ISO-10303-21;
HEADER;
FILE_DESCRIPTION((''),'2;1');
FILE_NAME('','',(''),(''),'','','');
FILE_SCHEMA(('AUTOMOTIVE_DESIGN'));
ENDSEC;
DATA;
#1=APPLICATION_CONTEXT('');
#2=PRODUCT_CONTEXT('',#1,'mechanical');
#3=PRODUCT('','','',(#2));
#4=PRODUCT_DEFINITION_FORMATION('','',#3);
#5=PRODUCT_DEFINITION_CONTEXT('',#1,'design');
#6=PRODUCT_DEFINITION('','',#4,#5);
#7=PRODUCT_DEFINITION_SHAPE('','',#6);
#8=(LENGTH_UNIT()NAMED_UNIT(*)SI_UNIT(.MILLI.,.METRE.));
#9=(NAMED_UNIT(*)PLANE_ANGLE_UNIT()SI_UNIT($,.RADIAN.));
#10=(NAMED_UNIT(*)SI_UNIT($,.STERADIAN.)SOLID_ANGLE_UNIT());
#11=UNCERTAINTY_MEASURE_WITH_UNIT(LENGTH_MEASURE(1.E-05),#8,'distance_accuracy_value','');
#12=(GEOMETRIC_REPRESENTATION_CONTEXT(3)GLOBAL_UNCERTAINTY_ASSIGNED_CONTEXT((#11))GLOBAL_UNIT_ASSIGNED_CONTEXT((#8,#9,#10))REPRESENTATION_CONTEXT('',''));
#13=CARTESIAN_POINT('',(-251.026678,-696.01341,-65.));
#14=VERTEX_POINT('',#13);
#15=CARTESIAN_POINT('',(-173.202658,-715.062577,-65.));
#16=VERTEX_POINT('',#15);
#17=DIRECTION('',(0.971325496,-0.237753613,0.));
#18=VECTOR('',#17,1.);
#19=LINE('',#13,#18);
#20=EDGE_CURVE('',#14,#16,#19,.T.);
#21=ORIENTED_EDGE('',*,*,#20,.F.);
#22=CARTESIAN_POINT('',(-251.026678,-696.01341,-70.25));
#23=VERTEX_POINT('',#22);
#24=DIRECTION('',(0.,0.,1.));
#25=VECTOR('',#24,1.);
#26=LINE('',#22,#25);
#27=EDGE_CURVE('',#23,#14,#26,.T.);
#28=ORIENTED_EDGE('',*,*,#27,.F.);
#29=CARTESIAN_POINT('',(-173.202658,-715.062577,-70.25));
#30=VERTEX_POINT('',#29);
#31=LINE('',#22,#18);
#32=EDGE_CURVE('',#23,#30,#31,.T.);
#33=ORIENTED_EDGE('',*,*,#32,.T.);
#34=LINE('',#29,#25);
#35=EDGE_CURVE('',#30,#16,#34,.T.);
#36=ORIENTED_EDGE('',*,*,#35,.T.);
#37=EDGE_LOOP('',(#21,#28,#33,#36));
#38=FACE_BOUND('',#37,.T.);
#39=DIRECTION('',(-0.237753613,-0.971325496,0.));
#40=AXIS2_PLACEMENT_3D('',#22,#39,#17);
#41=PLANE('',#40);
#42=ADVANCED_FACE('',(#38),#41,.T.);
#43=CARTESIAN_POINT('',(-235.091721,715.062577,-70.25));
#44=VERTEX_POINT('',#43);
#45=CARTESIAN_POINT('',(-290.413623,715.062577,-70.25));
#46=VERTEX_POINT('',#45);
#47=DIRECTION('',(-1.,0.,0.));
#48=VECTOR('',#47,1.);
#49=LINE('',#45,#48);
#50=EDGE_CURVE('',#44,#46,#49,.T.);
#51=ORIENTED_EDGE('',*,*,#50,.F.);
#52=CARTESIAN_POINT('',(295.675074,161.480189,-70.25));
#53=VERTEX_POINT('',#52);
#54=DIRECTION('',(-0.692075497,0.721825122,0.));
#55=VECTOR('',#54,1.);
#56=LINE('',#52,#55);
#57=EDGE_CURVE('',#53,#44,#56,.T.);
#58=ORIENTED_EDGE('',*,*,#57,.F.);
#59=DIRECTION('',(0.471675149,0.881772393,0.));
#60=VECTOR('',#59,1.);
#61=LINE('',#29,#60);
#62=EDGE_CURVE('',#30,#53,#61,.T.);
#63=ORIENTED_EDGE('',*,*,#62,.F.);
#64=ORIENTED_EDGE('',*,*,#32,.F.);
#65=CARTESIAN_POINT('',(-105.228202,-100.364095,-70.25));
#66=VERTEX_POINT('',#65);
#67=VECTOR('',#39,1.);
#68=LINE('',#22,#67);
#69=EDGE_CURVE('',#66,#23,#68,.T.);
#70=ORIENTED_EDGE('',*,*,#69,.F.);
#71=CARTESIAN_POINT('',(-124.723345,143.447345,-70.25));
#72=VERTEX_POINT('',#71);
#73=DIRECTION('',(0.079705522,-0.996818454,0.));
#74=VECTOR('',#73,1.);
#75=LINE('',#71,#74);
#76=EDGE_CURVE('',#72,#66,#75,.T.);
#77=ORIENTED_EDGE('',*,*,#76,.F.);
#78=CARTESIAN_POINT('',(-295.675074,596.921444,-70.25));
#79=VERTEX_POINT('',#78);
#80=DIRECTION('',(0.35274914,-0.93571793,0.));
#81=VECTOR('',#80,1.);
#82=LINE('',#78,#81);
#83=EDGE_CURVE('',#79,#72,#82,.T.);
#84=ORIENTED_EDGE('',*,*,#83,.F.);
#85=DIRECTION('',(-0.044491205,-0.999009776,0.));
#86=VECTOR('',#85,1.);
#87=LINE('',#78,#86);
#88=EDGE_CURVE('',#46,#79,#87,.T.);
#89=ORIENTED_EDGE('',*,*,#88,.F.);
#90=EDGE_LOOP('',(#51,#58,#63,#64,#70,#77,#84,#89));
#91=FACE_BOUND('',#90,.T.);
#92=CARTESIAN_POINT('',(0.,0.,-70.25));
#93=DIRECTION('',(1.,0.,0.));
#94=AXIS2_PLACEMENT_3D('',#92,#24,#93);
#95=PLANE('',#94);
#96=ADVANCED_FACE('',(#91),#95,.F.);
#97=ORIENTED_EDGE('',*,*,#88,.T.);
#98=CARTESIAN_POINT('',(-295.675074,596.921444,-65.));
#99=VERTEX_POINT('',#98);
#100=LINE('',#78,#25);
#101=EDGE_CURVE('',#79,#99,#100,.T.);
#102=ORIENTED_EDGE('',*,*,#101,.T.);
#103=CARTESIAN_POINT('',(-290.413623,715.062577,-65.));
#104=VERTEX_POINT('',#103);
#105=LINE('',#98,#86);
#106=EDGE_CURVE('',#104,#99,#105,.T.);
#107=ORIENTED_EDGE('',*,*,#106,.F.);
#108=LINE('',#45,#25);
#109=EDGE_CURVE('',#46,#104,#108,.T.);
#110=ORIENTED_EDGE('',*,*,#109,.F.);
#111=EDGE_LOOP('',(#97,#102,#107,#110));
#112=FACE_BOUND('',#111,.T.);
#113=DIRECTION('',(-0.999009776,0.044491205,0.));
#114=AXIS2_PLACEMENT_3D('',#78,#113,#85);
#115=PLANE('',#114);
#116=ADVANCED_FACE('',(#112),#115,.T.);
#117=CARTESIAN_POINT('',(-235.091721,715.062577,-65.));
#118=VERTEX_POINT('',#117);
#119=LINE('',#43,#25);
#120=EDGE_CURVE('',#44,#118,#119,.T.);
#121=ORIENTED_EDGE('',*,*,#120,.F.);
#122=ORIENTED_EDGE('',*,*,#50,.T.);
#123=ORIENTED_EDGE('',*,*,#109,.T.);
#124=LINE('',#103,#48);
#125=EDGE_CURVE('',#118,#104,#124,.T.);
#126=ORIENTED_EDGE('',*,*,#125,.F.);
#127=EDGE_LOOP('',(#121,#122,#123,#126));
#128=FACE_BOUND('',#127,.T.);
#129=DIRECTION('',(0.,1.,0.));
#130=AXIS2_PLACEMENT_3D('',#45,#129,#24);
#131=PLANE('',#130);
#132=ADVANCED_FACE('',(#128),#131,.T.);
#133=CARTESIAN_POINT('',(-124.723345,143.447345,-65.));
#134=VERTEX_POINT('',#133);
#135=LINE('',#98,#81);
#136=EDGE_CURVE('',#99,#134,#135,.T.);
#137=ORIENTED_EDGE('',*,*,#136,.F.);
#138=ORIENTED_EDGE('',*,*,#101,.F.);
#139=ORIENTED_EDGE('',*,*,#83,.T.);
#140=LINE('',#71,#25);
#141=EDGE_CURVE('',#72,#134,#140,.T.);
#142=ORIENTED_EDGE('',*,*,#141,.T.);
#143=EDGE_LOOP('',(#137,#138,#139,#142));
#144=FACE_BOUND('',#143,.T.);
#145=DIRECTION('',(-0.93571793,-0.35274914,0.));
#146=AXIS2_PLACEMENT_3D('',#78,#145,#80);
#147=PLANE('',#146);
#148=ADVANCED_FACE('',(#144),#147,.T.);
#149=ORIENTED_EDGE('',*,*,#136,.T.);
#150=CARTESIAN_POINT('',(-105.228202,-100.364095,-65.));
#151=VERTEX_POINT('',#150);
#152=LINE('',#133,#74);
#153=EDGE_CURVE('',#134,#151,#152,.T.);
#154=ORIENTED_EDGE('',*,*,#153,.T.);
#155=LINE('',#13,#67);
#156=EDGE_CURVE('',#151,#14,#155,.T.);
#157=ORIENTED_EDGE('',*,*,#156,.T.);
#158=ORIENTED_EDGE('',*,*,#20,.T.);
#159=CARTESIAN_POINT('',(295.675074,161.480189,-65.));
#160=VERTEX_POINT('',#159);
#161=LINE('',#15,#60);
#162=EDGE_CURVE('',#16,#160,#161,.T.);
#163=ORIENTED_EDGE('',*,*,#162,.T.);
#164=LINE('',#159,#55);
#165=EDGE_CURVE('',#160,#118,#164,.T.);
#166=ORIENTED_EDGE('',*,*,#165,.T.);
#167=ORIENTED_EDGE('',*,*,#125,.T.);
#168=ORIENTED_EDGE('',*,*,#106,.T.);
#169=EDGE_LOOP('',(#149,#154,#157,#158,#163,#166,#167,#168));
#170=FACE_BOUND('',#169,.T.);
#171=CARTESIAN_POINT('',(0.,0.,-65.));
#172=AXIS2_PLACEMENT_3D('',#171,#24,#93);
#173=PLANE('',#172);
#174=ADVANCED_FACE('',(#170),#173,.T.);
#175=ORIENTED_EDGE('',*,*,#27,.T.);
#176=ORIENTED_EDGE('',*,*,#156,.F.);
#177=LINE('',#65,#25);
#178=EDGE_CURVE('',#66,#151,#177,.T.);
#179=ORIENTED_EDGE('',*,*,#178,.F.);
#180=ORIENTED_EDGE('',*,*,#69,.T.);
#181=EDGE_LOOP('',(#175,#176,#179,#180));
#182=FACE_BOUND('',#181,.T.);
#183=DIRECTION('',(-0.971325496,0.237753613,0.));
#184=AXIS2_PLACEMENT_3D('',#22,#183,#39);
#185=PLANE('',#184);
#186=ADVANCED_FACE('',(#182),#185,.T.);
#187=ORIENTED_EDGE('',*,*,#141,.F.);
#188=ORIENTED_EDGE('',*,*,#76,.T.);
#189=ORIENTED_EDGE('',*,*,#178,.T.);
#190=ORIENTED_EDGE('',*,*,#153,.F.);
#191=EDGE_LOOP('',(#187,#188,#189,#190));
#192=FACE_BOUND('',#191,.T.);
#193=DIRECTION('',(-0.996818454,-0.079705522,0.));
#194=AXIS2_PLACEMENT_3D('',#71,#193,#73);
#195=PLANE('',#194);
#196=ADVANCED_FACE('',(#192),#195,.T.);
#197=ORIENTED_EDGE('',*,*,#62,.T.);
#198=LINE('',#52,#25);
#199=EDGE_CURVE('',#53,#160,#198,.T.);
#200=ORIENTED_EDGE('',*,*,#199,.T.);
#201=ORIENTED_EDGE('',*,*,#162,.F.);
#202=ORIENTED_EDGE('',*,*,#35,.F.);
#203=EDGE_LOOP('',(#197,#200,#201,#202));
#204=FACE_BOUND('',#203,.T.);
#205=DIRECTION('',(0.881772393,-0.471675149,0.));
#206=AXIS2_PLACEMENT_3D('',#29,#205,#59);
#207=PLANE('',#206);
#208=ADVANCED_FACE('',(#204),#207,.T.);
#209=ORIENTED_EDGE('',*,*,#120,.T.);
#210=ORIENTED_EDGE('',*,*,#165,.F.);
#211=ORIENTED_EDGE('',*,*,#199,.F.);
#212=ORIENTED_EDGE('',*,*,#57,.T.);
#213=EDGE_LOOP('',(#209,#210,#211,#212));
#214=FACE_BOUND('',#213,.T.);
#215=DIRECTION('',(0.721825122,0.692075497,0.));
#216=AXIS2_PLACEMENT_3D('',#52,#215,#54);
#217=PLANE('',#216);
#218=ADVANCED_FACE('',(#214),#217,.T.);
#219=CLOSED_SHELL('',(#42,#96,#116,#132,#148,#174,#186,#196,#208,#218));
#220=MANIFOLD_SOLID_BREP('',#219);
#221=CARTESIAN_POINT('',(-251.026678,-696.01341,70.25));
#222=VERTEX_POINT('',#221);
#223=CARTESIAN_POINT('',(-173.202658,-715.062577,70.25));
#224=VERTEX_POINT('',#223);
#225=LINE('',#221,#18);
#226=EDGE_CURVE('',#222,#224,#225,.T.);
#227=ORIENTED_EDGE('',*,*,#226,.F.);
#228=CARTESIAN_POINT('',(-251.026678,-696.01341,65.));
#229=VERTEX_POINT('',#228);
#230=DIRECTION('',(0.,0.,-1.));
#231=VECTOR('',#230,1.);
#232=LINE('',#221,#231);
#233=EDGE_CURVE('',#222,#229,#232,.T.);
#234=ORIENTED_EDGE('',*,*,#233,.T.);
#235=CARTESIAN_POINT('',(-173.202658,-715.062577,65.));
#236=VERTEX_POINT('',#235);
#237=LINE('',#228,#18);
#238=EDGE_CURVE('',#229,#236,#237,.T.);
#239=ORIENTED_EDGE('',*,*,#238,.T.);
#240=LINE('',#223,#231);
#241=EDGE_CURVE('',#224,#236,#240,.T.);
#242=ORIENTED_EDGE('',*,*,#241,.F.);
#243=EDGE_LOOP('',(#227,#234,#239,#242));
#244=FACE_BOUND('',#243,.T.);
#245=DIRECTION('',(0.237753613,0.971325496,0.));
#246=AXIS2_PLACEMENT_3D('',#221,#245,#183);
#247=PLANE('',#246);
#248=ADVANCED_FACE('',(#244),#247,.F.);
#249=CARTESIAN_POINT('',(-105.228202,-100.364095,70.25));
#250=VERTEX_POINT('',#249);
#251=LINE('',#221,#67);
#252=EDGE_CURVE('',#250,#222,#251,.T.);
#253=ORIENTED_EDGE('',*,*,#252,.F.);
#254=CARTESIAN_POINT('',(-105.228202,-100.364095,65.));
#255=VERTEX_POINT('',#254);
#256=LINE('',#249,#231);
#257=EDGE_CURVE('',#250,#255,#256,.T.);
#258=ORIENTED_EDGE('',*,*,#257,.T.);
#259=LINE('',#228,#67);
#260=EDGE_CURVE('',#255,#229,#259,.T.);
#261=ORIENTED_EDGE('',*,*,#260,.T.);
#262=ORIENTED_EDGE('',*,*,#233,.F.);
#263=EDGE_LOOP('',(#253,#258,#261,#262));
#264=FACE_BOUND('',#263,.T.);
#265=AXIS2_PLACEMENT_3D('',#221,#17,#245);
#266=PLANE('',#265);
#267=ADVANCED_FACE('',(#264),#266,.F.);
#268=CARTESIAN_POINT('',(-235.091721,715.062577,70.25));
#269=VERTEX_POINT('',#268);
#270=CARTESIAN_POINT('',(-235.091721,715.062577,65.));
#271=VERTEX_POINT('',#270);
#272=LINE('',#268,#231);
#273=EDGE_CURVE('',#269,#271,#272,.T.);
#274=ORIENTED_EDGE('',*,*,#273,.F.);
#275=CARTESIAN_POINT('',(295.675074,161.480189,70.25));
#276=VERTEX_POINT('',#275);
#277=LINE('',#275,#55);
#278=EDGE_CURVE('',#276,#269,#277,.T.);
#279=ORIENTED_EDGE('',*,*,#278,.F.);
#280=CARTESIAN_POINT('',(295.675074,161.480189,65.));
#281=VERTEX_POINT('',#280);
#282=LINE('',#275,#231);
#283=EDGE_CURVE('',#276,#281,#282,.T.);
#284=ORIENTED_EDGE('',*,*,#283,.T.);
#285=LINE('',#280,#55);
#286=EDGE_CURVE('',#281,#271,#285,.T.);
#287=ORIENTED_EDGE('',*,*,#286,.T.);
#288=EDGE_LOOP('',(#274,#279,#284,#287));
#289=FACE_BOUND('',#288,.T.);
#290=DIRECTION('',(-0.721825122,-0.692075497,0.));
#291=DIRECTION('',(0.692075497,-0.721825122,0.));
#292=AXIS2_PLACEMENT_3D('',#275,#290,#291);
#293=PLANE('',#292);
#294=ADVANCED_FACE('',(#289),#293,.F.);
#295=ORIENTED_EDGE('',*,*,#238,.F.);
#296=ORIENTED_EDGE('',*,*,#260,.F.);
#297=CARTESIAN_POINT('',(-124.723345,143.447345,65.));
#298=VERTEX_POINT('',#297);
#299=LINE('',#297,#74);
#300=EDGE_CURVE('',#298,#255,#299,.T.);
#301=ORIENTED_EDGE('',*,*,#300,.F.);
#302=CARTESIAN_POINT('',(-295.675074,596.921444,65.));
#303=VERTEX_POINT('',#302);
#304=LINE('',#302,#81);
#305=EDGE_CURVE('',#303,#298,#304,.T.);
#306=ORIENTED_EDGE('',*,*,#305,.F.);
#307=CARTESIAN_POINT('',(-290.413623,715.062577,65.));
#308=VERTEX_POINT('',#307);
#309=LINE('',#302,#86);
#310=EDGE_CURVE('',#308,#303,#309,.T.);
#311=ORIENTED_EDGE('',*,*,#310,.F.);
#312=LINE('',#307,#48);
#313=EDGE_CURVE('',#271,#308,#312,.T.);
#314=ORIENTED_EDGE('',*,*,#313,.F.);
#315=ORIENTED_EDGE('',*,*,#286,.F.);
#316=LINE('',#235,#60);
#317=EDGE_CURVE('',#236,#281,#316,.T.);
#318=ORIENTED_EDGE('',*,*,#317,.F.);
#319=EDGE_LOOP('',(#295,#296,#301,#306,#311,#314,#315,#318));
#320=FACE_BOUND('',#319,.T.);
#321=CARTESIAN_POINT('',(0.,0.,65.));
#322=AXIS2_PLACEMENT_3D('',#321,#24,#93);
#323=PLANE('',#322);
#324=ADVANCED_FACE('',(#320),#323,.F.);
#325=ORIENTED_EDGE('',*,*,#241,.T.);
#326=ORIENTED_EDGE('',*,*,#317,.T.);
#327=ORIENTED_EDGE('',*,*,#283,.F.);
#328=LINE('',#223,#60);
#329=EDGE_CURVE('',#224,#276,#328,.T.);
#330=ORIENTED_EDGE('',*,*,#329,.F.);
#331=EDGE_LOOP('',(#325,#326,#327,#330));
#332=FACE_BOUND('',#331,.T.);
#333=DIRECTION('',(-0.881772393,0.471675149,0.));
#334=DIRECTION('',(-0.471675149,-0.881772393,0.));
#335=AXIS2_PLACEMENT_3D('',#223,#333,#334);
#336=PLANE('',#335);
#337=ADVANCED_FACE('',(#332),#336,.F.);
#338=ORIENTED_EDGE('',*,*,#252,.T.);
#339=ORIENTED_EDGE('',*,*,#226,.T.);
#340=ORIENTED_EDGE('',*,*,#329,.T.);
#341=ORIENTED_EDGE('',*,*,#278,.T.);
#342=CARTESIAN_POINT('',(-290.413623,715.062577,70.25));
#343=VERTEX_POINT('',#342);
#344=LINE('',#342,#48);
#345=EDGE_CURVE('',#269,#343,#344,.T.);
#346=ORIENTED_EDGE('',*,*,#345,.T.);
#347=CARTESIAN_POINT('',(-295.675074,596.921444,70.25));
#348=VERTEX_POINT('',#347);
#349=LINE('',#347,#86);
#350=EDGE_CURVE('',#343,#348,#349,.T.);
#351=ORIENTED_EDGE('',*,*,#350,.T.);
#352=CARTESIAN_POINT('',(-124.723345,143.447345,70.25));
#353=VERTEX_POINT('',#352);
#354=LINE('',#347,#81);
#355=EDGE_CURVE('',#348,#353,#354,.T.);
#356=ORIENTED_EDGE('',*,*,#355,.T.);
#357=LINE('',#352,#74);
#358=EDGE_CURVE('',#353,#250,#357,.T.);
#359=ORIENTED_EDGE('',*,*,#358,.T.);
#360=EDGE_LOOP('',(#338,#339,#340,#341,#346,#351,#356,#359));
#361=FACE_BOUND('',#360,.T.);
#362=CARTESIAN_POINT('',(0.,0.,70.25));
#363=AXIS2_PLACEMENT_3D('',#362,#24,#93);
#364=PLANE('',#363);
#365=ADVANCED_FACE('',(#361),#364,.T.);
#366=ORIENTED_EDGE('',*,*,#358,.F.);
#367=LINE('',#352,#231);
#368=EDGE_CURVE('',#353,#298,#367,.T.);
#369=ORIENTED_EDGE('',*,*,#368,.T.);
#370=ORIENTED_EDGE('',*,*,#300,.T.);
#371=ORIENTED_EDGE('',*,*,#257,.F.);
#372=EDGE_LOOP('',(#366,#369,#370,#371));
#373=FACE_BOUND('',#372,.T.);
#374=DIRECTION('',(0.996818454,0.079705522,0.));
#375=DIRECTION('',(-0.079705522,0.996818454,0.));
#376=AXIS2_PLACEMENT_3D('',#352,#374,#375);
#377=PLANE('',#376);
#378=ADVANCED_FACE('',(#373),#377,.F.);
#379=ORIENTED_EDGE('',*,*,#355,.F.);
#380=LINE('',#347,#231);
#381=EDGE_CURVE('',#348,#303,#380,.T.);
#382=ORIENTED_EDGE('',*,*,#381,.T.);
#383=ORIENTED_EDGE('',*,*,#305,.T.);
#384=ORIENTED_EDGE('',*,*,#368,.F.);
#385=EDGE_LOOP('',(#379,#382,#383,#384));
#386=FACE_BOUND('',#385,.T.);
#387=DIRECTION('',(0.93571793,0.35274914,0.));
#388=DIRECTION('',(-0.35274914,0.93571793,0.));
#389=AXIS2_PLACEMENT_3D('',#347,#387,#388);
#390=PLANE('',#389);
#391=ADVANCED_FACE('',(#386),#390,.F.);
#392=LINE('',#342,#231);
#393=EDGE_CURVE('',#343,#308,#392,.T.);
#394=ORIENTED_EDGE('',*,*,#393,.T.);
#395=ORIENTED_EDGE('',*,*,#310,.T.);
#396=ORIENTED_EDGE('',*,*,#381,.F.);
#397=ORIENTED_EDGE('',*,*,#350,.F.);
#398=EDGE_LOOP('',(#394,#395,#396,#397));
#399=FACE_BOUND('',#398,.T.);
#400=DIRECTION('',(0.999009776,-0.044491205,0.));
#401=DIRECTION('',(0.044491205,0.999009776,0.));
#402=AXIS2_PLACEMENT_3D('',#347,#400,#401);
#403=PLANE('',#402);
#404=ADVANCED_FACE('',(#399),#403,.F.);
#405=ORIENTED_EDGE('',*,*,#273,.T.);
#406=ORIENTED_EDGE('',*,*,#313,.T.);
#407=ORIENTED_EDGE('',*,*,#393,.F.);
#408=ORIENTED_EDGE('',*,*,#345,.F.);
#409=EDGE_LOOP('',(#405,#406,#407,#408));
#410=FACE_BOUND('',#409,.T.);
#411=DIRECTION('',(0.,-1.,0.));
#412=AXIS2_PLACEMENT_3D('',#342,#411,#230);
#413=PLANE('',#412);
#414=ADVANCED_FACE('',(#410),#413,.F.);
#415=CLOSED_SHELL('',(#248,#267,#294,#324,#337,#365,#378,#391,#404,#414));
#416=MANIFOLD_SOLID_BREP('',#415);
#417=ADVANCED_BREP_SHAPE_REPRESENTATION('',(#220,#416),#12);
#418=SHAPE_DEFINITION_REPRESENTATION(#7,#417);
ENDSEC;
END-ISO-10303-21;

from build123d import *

# Parameters (mm, degrees)
BOSS_EXTRUDE1_START = 65
BOSS_EXTRUDE1_DEPTH = 5.25
BOSS_EXTRUDE2_START = -65
BOSS_EXTRUDE2_DEPTH = 5.25


with BuildPart() as part:
    # Sketch1 → Boss-Extrude1 (new body)
    with BuildSketch(Plane.XY.offset(BOSS_EXTRUDE1_START)):
        Polygon((295.675074254, 161.480188615), (-235.091721205, 715.062577473), (-290.413622869, 715.062577473), (-295.675074254, 596.921443574), (-124.723344844, 143.447345429), (-105.228202032, -100.364094919), (-251.02667789, -696.013410022), (-173.202657588, -715.062577473), align=None)
    extrude(amount=BOSS_EXTRUDE1_DEPTH)


with BuildPart() as body_2:
    # Sketch1<2> → Boss-Extrude2 (new body)
    with BuildSketch(Plane.XY.offset(BOSS_EXTRUDE2_START)):
        Polygon((295.675074254, 161.480188615), (-235.091721205, 715.062577473), (-290.413622869, 715.062577473), (-295.675074254, 596.921443574), (-124.723344844, 143.447345429), (-105.228202032, -100.364094919), (-251.02667789, -696.013410022), (-173.202657588, -715.062577473), align=None)
    extrude(amount=-BOSS_EXTRUDE2_DEPTH)


solid = Compound([part.part, body_2.part])
